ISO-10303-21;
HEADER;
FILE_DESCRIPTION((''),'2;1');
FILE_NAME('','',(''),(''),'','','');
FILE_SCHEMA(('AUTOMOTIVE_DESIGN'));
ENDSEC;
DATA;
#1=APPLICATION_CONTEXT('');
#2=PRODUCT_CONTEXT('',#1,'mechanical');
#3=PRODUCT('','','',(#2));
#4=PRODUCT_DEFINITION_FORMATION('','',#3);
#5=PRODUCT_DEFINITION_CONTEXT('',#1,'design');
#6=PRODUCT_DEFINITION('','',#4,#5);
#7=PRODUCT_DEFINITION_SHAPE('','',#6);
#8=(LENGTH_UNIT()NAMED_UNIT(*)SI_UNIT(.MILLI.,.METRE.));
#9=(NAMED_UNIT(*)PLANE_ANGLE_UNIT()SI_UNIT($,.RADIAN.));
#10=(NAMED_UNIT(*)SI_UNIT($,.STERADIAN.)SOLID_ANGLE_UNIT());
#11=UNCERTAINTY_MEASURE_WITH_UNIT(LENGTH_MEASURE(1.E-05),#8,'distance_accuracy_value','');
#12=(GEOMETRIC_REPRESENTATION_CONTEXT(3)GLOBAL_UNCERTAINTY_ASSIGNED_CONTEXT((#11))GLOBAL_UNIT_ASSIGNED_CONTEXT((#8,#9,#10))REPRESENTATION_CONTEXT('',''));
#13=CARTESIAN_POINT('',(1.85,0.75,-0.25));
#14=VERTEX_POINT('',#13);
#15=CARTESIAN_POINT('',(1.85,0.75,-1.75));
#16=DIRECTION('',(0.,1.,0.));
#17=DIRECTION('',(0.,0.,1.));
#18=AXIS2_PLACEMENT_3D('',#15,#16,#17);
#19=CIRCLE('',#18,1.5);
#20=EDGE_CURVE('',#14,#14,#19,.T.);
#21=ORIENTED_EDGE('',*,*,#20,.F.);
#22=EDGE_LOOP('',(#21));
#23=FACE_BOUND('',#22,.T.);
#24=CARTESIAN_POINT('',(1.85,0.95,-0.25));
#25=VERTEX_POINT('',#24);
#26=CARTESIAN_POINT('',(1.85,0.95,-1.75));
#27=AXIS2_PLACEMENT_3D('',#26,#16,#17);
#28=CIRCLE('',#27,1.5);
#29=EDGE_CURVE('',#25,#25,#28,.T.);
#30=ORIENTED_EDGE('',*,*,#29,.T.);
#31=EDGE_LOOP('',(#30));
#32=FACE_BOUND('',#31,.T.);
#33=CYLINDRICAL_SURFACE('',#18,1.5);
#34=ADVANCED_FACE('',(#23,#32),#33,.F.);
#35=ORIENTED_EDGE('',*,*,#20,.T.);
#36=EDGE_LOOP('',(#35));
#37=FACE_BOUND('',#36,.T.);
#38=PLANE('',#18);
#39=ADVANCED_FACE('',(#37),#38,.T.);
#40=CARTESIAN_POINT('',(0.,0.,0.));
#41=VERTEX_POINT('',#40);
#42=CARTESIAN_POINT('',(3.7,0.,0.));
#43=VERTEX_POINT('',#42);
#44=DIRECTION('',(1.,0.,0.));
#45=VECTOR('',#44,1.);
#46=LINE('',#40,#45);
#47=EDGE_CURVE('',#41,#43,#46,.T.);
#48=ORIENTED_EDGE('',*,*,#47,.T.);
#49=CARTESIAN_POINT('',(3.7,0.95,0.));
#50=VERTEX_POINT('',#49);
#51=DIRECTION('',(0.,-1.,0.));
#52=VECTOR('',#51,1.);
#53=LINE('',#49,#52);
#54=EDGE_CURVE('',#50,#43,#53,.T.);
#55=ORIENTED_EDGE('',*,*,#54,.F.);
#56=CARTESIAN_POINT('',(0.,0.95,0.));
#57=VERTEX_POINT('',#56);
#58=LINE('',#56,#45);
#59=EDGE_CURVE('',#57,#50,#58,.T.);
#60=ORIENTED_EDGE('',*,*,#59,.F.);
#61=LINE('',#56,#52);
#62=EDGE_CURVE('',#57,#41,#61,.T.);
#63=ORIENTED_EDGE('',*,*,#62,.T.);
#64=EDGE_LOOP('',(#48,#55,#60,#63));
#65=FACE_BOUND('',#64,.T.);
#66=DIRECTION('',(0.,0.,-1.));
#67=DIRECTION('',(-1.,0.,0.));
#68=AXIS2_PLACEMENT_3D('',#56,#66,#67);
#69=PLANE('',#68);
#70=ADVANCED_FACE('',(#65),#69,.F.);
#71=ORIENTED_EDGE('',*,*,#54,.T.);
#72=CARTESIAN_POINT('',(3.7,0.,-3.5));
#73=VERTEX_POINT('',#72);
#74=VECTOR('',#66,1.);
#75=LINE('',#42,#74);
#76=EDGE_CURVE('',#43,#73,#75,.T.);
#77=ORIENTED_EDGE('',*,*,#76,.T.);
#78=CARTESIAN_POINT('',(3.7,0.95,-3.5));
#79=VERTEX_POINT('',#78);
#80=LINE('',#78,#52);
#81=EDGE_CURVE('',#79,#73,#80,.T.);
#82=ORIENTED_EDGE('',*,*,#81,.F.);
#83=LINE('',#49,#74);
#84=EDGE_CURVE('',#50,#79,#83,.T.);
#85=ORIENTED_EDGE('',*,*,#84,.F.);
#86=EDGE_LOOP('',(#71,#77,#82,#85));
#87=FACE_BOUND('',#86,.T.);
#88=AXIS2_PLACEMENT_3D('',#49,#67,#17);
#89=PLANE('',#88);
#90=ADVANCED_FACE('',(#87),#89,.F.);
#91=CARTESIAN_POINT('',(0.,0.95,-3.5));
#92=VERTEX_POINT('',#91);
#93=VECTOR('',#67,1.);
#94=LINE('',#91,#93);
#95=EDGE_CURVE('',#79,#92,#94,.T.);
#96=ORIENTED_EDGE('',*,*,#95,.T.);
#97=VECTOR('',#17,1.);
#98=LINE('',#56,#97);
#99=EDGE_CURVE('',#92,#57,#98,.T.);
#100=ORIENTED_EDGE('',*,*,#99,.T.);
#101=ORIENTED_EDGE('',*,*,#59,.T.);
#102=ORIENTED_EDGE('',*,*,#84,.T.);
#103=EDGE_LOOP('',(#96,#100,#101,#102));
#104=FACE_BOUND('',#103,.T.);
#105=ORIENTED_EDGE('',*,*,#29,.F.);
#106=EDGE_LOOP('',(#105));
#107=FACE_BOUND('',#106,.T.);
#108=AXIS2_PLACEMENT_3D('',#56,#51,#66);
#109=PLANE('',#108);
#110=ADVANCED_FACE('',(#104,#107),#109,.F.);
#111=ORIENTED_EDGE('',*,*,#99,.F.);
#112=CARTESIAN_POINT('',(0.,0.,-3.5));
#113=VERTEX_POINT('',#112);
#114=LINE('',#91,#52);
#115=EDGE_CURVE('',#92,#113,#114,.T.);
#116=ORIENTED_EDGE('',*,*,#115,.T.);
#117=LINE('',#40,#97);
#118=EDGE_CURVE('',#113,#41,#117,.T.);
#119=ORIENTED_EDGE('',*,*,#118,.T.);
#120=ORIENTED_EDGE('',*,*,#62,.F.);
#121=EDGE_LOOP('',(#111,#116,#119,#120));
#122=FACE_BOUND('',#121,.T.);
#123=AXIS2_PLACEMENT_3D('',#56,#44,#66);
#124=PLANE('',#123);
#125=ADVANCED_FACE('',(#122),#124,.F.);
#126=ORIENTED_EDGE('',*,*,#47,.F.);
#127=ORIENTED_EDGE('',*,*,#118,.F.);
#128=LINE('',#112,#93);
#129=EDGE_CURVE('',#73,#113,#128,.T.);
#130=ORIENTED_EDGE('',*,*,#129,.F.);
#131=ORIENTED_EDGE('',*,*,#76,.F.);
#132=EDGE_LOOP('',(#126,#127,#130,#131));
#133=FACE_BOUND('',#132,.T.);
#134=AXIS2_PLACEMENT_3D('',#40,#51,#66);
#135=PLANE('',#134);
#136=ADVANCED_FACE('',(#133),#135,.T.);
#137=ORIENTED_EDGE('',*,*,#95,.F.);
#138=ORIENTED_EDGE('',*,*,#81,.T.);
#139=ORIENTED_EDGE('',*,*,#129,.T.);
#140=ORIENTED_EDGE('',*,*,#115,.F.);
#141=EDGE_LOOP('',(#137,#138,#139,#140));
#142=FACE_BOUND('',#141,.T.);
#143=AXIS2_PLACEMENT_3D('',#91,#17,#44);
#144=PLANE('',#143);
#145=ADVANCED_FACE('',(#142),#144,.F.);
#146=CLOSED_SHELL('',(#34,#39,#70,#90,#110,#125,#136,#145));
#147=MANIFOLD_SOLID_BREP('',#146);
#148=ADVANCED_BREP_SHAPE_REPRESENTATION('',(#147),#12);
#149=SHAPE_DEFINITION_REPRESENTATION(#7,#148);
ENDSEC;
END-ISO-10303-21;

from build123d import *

# Parameters (mm, degrees)
SKETCH1_W           = 3.7
SKETCH1_H           = 3.5
BOSS_EXTRUDE1_DEPTH = 0.95
SKETCH2_R           = 1.5
CUT_EXTRUDE1_DEPTH  = 0.2


with BuildPart() as part:
    # Sketch1 → Boss-Extrude1 (new body)
    with BuildSketch(Plane(origin=(0, 0, 0), x_dir=(1, 0, 0), z_dir=(0, 1, 0))):
        with Locations((1.85, 1.75)):
            Rectangle(SKETCH1_W, SKETCH1_H)
    extrude(amount=BOSS_EXTRUDE1_DEPTH)

    # Sketch2 → Cut-Extrude1 (cut)
    with BuildSketch(Plane(origin=(0, 0.95, 0), x_dir=(1, 0, 0), z_dir=(0, 1, 0))):
        with Locations(Location((1.85, 1.75, 0), (0, 0, 270))):
            Circle(SKETCH2_R)
    extrude(amount=-CUT_EXTRUDE1_DEPTH, mode=Mode.SUBTRACT)


solid = part.part
